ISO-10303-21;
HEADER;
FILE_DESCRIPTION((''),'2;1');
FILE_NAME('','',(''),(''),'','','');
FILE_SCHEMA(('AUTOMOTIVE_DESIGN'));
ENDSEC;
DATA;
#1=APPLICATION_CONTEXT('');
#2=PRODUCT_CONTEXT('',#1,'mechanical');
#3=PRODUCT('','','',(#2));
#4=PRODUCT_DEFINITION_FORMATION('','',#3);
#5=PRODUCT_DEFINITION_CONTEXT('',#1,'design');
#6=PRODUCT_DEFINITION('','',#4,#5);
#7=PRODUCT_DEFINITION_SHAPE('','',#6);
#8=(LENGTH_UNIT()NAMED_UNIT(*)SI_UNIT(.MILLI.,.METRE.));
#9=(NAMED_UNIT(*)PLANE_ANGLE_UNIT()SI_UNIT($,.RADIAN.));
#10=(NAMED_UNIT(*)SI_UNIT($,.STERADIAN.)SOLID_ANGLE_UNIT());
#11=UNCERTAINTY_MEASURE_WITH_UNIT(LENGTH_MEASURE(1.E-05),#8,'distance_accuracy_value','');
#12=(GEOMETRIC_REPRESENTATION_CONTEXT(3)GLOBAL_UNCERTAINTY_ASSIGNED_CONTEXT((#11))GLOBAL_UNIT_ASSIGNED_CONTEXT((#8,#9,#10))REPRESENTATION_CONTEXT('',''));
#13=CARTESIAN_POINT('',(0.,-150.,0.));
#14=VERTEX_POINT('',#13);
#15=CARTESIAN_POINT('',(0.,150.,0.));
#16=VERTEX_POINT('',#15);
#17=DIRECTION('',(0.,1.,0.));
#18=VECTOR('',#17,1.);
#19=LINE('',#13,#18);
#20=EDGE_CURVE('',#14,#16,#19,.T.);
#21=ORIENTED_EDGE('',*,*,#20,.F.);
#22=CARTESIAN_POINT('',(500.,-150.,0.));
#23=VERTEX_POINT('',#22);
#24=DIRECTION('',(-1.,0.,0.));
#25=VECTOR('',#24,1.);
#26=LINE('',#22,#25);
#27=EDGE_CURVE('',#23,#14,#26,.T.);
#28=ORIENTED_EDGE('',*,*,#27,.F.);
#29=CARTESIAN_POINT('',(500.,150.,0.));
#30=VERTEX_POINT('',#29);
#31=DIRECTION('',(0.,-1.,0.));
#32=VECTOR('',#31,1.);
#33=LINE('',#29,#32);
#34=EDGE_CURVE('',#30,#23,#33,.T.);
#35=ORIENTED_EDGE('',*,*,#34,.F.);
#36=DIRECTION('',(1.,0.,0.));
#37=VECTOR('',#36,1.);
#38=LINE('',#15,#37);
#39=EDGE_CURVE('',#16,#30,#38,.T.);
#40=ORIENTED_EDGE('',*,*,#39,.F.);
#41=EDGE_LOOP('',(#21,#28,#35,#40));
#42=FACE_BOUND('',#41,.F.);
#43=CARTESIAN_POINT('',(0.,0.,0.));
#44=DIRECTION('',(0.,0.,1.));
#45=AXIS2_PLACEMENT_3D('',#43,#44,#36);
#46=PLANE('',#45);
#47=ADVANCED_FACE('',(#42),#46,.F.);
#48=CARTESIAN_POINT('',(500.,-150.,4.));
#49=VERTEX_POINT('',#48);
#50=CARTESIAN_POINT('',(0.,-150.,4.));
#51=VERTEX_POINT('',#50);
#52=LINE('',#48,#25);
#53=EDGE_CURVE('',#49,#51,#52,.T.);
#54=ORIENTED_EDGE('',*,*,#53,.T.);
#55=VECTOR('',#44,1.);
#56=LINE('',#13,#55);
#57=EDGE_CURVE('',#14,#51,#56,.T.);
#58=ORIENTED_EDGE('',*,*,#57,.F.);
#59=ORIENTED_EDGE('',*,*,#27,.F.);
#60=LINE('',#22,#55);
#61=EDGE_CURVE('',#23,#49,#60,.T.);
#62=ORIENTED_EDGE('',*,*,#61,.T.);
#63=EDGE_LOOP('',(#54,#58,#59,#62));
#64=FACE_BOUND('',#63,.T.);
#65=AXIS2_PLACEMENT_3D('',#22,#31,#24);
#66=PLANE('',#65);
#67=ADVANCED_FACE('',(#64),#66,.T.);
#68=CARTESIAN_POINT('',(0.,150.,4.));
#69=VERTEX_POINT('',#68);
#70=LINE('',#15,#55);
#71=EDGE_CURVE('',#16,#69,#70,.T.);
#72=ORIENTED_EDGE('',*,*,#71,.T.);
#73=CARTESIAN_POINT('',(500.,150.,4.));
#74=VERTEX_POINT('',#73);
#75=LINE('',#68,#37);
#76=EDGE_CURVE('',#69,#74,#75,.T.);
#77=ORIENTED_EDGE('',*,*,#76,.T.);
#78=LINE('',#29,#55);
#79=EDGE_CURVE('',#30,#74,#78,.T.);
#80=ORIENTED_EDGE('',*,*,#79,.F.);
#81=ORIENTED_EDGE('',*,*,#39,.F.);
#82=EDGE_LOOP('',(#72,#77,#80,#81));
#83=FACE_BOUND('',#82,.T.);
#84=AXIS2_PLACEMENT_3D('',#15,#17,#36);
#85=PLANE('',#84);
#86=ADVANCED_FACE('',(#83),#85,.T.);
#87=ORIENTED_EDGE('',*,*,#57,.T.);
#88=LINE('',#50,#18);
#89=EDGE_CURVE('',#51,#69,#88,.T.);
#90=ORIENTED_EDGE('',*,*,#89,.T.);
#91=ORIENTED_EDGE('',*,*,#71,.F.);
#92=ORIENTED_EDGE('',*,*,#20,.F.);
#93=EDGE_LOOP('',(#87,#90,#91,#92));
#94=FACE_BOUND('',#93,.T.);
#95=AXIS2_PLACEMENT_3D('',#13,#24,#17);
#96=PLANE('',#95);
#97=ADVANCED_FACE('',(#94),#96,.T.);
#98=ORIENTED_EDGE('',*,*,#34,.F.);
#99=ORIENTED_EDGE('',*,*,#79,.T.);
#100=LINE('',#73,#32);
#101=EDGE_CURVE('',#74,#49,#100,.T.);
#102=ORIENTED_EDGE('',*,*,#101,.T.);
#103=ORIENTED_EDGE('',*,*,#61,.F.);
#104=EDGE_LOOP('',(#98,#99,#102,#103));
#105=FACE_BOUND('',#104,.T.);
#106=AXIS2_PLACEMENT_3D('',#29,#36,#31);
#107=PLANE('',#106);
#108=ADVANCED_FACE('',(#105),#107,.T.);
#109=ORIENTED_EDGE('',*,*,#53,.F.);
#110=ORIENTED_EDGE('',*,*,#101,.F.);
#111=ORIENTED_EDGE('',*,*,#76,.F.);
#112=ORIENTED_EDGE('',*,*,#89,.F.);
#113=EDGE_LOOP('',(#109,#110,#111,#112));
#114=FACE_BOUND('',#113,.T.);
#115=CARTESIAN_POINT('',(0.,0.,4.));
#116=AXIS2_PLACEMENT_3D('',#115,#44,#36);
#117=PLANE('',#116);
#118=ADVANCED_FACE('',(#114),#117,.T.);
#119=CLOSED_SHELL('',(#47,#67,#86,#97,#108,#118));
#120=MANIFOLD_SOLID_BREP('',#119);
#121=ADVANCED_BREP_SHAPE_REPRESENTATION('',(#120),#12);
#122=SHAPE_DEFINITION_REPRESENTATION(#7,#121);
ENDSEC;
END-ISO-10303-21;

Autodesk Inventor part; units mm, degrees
ref_plane "YZ Plane" through (0, 0, 0) normal (1, 0, 0) x (0, 1, 0)
ref_plane "XZ Plane" through (0, 0, 0) normal (0, 1, 0) x (-1, 0, 0)
sketch "Sketch1" plane through (0, 0, 0) normal (0, 0, 1) x (1, 0, 0)
  line L0 (0, 150) -> (500, 150)
  line L1 (500, 150) -> (500, -150)
  line L2 (500, -150) -> (0, -150)
  line L3 (0, -150) -> (0, 150)
  point P0 (0, 0)
  point P1 (0, 0)
  dimension "d0" = 300
  dimension "d1" = 500
extrude "Extrusion1" add sketch "Sketch1" along normal blind 4
equation "\"d0\" = track_width"
equation "\"d1\" = track_length"
equation "\"d2\" = acrylic_thickness"
equation "\"track_length\" = 500"
equation "\"track_width\" = 300"
equation "\"acrylic_thickness\" = 4"
properties part number "bot_layer"
